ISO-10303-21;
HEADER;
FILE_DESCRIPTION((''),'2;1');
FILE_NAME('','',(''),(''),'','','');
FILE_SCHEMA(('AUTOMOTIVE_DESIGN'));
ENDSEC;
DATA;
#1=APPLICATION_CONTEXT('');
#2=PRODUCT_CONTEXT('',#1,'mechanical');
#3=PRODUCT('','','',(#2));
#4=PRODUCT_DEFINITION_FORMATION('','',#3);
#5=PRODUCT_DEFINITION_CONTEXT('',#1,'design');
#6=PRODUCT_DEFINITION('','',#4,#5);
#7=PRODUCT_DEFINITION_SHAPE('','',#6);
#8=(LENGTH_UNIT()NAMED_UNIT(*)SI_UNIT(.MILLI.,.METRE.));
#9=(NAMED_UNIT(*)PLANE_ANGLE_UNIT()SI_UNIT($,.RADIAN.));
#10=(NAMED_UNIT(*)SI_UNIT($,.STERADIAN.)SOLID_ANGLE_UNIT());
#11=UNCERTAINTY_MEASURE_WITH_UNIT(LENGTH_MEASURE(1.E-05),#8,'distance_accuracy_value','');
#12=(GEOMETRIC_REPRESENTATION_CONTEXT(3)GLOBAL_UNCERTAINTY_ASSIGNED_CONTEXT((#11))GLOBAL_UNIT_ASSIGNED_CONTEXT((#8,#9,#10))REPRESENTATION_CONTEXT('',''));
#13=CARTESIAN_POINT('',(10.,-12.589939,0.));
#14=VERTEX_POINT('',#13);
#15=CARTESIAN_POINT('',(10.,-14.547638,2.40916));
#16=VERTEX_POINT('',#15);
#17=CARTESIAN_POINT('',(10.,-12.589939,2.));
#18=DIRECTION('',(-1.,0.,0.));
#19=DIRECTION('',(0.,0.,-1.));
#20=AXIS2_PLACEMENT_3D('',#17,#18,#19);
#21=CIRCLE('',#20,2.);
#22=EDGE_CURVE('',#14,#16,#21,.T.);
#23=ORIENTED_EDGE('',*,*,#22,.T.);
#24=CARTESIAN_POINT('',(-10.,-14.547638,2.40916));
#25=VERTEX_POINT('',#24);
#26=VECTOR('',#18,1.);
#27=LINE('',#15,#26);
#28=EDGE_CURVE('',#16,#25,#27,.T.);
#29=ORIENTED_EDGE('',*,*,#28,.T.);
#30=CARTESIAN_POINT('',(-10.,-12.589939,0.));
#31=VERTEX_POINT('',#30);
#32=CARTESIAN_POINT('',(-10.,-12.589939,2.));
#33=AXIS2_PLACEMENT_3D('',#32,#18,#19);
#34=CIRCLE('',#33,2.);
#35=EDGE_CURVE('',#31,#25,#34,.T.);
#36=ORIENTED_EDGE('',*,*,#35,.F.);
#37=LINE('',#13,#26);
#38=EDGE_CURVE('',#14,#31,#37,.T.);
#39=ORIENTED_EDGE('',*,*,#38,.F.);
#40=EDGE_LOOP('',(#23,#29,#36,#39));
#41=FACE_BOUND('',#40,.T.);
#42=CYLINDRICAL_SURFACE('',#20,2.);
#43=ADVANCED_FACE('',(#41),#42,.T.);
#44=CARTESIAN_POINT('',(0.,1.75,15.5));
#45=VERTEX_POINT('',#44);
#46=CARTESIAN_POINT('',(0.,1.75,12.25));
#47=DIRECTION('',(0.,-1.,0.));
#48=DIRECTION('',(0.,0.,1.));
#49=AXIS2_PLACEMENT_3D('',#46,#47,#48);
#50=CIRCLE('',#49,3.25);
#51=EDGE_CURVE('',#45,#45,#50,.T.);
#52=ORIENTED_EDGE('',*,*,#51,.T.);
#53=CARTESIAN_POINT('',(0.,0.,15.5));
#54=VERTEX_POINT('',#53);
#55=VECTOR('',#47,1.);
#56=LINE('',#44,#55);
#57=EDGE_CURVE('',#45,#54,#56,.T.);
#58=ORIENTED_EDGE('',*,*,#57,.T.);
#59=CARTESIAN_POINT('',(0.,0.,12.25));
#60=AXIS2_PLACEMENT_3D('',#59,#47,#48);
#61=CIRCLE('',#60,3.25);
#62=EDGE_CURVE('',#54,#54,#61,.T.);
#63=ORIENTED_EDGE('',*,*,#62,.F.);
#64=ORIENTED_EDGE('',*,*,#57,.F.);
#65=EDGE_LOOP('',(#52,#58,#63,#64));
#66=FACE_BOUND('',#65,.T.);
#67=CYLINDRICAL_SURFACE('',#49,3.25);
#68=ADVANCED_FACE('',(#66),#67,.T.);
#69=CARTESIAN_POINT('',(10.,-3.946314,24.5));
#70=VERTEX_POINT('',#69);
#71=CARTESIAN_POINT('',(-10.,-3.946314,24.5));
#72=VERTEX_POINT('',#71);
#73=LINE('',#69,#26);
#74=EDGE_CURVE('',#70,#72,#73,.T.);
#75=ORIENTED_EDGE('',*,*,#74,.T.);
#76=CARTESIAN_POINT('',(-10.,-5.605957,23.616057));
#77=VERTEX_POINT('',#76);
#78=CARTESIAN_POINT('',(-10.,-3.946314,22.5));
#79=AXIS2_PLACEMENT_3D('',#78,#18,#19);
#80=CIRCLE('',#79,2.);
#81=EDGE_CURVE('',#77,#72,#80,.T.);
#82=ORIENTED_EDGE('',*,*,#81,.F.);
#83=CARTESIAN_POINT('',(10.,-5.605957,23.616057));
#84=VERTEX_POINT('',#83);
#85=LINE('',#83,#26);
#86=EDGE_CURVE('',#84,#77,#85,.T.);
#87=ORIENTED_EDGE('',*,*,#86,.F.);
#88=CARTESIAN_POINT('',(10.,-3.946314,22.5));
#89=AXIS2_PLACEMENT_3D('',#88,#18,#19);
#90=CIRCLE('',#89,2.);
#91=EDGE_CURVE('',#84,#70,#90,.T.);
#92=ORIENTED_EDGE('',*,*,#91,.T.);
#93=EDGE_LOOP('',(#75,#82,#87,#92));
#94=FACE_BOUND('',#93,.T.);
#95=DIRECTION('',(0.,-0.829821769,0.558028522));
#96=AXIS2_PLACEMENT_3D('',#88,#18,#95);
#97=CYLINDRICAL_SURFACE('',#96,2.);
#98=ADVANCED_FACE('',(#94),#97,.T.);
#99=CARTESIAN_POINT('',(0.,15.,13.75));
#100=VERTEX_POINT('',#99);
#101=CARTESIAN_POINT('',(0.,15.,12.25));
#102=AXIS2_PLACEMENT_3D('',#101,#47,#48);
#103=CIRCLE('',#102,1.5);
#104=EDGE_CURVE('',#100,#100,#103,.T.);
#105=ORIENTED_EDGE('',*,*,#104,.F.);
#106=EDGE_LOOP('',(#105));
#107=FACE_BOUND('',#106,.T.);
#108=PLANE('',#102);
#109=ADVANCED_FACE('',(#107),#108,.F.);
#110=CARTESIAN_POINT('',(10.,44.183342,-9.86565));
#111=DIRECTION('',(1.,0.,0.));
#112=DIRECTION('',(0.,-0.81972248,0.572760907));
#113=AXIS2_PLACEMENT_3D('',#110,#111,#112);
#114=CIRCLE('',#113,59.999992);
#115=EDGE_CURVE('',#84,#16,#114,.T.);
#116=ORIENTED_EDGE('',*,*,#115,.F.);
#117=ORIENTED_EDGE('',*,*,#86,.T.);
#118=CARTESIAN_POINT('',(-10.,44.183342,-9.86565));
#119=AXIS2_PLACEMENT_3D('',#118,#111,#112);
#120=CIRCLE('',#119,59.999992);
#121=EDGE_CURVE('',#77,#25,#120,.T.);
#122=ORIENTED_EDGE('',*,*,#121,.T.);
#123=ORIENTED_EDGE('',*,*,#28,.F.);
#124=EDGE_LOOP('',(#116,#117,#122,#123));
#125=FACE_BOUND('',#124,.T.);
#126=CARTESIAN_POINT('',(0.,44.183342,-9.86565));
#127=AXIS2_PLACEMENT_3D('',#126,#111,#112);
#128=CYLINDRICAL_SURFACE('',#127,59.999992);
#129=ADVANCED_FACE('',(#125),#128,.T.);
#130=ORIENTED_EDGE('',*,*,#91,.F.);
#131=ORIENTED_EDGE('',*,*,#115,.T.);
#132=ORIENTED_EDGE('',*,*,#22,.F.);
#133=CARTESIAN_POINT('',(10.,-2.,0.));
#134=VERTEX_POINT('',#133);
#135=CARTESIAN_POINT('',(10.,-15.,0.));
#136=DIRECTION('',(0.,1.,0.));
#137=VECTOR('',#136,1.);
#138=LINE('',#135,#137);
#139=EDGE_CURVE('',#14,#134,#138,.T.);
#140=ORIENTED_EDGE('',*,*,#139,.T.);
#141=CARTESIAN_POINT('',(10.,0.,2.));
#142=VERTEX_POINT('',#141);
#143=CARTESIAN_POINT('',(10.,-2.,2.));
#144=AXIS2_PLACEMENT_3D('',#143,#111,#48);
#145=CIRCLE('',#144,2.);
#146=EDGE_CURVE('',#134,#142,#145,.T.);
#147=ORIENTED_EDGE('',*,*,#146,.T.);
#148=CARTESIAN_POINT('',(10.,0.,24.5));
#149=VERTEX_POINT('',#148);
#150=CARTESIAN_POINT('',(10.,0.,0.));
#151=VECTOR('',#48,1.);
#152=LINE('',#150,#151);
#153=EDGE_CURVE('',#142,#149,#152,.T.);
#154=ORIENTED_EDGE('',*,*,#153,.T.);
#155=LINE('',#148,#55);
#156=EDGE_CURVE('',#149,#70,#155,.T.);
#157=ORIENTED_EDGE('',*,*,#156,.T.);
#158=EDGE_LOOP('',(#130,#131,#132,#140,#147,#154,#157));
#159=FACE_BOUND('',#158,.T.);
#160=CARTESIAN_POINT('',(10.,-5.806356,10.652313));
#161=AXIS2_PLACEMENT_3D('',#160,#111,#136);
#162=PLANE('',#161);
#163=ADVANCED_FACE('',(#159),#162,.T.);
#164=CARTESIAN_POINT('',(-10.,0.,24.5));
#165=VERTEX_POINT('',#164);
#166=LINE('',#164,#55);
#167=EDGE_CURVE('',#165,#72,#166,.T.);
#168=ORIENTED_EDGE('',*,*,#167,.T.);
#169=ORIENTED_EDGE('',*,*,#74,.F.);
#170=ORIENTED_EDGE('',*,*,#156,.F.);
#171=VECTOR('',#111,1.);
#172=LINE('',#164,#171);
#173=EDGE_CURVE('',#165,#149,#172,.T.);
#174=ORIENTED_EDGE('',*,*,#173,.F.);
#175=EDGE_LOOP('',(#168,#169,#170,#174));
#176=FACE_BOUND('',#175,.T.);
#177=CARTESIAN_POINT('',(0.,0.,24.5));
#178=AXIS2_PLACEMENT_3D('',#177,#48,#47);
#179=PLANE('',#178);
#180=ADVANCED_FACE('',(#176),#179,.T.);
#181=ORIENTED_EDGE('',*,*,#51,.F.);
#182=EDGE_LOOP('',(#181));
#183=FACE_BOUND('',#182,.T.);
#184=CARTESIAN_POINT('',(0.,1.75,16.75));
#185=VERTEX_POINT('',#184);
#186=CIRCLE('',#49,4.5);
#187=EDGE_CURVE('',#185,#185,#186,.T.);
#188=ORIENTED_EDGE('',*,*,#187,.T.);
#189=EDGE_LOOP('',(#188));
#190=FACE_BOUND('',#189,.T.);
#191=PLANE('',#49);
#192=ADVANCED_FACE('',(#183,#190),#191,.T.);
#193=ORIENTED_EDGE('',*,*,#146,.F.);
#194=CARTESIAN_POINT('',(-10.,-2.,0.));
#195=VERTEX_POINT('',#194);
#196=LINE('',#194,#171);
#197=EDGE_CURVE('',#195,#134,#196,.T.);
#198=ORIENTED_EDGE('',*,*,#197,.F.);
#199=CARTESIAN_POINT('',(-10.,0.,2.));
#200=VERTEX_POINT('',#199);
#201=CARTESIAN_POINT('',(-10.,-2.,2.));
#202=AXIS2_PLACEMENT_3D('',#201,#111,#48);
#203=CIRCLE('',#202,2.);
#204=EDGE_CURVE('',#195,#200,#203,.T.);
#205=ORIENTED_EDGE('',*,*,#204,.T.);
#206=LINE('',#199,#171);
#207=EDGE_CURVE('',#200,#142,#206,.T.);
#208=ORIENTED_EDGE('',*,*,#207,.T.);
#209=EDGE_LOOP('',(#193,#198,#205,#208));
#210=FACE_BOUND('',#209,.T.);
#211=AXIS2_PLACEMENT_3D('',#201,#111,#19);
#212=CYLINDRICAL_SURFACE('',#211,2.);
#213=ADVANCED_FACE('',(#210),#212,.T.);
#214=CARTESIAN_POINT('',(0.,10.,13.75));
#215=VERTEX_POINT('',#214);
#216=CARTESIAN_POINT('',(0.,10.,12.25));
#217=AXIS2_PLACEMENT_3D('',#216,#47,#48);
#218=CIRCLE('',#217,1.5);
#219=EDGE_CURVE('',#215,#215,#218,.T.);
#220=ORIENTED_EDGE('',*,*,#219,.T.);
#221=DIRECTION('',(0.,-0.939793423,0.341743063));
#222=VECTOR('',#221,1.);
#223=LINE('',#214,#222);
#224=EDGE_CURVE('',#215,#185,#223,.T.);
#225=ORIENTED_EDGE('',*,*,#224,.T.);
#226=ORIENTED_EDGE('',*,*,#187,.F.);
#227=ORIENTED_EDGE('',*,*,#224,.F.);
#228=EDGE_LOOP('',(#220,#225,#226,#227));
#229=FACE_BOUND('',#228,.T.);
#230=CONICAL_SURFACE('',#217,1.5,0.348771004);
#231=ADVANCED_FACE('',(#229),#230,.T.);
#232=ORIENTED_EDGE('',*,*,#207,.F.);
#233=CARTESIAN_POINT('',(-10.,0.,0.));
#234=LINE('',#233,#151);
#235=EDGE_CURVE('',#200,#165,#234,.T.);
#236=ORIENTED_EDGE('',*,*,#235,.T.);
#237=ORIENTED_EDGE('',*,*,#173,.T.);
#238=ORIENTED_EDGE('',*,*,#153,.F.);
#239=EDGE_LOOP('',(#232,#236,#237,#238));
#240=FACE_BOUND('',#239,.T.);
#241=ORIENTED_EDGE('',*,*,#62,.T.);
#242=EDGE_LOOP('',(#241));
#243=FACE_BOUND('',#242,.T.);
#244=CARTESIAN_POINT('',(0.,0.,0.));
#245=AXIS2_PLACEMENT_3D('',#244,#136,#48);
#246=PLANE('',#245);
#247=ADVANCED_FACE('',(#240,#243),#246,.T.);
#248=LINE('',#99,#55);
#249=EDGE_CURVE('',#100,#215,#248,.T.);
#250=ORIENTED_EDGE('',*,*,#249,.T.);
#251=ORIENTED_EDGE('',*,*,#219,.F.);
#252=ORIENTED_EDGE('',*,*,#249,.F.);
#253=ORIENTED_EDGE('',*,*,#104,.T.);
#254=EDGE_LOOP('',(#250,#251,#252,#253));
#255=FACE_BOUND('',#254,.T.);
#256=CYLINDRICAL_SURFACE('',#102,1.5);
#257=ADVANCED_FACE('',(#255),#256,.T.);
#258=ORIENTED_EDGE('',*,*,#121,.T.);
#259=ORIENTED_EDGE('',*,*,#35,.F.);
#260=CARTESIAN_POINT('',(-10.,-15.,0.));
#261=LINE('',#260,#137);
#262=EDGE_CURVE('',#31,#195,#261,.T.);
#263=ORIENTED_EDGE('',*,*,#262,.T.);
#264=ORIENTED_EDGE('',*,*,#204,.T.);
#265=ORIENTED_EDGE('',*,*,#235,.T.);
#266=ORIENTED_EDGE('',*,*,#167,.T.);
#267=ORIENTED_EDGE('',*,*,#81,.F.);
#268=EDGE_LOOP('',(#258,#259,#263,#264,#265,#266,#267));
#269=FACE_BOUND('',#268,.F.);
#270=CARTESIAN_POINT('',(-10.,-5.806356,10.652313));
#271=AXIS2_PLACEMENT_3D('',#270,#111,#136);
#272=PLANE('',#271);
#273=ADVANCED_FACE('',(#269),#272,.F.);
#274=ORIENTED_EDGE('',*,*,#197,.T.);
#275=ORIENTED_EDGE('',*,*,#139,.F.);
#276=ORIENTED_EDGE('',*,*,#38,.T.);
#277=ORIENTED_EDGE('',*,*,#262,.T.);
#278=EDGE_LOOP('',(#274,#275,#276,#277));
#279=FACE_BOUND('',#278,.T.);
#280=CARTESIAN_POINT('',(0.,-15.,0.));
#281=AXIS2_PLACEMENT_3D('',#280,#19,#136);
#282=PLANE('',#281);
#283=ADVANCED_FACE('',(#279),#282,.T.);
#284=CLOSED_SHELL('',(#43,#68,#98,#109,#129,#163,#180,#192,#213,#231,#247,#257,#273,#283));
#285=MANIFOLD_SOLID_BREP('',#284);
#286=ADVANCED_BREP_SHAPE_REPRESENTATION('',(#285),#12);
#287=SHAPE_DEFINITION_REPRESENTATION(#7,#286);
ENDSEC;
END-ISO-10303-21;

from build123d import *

# Parameters (mm, degrees)
F1_DEPTH = 10
F5_R     = 2


with BuildPart() as f1:
    # F0 (on Right) → F1 (new body, symmetric)
    with BuildSketch(Plane.YZ):
        with BuildLine():
            Line((-15, 0), (0, 0))
            Line((0, 0), (0, 24.5))
            Line((0, 24.5), (-5, 24.5))
            ThreePointArc((-5, 24.5), (-11.367509, 12.808167), (-15, 0))
        make_face()
    extrude(amount=F1_DEPTH, both=True)

    # F3 (on Right) → F4 (revolve)
    with BuildSketch(Plane.YZ):
        Polygon((0, 12.25), (15, 12.25), (15, 13.75), (10, 13.75), (1.75, 16.75), (1.75, 15.5), (0, 15.5), align=None)
    revolve(axis=Axis((0, 7.5, 12.25), (0, -1, 0)))

    # F5
    f5_edges = [f1.edges().sort_by_distance(p)[0] for p in [
        (0, -5, 24.5),
        (0, -15, 0),
        (0, 0, 0),
    ]]
    fillet(f5_edges, radius=F5_R)


solid = f1.part
